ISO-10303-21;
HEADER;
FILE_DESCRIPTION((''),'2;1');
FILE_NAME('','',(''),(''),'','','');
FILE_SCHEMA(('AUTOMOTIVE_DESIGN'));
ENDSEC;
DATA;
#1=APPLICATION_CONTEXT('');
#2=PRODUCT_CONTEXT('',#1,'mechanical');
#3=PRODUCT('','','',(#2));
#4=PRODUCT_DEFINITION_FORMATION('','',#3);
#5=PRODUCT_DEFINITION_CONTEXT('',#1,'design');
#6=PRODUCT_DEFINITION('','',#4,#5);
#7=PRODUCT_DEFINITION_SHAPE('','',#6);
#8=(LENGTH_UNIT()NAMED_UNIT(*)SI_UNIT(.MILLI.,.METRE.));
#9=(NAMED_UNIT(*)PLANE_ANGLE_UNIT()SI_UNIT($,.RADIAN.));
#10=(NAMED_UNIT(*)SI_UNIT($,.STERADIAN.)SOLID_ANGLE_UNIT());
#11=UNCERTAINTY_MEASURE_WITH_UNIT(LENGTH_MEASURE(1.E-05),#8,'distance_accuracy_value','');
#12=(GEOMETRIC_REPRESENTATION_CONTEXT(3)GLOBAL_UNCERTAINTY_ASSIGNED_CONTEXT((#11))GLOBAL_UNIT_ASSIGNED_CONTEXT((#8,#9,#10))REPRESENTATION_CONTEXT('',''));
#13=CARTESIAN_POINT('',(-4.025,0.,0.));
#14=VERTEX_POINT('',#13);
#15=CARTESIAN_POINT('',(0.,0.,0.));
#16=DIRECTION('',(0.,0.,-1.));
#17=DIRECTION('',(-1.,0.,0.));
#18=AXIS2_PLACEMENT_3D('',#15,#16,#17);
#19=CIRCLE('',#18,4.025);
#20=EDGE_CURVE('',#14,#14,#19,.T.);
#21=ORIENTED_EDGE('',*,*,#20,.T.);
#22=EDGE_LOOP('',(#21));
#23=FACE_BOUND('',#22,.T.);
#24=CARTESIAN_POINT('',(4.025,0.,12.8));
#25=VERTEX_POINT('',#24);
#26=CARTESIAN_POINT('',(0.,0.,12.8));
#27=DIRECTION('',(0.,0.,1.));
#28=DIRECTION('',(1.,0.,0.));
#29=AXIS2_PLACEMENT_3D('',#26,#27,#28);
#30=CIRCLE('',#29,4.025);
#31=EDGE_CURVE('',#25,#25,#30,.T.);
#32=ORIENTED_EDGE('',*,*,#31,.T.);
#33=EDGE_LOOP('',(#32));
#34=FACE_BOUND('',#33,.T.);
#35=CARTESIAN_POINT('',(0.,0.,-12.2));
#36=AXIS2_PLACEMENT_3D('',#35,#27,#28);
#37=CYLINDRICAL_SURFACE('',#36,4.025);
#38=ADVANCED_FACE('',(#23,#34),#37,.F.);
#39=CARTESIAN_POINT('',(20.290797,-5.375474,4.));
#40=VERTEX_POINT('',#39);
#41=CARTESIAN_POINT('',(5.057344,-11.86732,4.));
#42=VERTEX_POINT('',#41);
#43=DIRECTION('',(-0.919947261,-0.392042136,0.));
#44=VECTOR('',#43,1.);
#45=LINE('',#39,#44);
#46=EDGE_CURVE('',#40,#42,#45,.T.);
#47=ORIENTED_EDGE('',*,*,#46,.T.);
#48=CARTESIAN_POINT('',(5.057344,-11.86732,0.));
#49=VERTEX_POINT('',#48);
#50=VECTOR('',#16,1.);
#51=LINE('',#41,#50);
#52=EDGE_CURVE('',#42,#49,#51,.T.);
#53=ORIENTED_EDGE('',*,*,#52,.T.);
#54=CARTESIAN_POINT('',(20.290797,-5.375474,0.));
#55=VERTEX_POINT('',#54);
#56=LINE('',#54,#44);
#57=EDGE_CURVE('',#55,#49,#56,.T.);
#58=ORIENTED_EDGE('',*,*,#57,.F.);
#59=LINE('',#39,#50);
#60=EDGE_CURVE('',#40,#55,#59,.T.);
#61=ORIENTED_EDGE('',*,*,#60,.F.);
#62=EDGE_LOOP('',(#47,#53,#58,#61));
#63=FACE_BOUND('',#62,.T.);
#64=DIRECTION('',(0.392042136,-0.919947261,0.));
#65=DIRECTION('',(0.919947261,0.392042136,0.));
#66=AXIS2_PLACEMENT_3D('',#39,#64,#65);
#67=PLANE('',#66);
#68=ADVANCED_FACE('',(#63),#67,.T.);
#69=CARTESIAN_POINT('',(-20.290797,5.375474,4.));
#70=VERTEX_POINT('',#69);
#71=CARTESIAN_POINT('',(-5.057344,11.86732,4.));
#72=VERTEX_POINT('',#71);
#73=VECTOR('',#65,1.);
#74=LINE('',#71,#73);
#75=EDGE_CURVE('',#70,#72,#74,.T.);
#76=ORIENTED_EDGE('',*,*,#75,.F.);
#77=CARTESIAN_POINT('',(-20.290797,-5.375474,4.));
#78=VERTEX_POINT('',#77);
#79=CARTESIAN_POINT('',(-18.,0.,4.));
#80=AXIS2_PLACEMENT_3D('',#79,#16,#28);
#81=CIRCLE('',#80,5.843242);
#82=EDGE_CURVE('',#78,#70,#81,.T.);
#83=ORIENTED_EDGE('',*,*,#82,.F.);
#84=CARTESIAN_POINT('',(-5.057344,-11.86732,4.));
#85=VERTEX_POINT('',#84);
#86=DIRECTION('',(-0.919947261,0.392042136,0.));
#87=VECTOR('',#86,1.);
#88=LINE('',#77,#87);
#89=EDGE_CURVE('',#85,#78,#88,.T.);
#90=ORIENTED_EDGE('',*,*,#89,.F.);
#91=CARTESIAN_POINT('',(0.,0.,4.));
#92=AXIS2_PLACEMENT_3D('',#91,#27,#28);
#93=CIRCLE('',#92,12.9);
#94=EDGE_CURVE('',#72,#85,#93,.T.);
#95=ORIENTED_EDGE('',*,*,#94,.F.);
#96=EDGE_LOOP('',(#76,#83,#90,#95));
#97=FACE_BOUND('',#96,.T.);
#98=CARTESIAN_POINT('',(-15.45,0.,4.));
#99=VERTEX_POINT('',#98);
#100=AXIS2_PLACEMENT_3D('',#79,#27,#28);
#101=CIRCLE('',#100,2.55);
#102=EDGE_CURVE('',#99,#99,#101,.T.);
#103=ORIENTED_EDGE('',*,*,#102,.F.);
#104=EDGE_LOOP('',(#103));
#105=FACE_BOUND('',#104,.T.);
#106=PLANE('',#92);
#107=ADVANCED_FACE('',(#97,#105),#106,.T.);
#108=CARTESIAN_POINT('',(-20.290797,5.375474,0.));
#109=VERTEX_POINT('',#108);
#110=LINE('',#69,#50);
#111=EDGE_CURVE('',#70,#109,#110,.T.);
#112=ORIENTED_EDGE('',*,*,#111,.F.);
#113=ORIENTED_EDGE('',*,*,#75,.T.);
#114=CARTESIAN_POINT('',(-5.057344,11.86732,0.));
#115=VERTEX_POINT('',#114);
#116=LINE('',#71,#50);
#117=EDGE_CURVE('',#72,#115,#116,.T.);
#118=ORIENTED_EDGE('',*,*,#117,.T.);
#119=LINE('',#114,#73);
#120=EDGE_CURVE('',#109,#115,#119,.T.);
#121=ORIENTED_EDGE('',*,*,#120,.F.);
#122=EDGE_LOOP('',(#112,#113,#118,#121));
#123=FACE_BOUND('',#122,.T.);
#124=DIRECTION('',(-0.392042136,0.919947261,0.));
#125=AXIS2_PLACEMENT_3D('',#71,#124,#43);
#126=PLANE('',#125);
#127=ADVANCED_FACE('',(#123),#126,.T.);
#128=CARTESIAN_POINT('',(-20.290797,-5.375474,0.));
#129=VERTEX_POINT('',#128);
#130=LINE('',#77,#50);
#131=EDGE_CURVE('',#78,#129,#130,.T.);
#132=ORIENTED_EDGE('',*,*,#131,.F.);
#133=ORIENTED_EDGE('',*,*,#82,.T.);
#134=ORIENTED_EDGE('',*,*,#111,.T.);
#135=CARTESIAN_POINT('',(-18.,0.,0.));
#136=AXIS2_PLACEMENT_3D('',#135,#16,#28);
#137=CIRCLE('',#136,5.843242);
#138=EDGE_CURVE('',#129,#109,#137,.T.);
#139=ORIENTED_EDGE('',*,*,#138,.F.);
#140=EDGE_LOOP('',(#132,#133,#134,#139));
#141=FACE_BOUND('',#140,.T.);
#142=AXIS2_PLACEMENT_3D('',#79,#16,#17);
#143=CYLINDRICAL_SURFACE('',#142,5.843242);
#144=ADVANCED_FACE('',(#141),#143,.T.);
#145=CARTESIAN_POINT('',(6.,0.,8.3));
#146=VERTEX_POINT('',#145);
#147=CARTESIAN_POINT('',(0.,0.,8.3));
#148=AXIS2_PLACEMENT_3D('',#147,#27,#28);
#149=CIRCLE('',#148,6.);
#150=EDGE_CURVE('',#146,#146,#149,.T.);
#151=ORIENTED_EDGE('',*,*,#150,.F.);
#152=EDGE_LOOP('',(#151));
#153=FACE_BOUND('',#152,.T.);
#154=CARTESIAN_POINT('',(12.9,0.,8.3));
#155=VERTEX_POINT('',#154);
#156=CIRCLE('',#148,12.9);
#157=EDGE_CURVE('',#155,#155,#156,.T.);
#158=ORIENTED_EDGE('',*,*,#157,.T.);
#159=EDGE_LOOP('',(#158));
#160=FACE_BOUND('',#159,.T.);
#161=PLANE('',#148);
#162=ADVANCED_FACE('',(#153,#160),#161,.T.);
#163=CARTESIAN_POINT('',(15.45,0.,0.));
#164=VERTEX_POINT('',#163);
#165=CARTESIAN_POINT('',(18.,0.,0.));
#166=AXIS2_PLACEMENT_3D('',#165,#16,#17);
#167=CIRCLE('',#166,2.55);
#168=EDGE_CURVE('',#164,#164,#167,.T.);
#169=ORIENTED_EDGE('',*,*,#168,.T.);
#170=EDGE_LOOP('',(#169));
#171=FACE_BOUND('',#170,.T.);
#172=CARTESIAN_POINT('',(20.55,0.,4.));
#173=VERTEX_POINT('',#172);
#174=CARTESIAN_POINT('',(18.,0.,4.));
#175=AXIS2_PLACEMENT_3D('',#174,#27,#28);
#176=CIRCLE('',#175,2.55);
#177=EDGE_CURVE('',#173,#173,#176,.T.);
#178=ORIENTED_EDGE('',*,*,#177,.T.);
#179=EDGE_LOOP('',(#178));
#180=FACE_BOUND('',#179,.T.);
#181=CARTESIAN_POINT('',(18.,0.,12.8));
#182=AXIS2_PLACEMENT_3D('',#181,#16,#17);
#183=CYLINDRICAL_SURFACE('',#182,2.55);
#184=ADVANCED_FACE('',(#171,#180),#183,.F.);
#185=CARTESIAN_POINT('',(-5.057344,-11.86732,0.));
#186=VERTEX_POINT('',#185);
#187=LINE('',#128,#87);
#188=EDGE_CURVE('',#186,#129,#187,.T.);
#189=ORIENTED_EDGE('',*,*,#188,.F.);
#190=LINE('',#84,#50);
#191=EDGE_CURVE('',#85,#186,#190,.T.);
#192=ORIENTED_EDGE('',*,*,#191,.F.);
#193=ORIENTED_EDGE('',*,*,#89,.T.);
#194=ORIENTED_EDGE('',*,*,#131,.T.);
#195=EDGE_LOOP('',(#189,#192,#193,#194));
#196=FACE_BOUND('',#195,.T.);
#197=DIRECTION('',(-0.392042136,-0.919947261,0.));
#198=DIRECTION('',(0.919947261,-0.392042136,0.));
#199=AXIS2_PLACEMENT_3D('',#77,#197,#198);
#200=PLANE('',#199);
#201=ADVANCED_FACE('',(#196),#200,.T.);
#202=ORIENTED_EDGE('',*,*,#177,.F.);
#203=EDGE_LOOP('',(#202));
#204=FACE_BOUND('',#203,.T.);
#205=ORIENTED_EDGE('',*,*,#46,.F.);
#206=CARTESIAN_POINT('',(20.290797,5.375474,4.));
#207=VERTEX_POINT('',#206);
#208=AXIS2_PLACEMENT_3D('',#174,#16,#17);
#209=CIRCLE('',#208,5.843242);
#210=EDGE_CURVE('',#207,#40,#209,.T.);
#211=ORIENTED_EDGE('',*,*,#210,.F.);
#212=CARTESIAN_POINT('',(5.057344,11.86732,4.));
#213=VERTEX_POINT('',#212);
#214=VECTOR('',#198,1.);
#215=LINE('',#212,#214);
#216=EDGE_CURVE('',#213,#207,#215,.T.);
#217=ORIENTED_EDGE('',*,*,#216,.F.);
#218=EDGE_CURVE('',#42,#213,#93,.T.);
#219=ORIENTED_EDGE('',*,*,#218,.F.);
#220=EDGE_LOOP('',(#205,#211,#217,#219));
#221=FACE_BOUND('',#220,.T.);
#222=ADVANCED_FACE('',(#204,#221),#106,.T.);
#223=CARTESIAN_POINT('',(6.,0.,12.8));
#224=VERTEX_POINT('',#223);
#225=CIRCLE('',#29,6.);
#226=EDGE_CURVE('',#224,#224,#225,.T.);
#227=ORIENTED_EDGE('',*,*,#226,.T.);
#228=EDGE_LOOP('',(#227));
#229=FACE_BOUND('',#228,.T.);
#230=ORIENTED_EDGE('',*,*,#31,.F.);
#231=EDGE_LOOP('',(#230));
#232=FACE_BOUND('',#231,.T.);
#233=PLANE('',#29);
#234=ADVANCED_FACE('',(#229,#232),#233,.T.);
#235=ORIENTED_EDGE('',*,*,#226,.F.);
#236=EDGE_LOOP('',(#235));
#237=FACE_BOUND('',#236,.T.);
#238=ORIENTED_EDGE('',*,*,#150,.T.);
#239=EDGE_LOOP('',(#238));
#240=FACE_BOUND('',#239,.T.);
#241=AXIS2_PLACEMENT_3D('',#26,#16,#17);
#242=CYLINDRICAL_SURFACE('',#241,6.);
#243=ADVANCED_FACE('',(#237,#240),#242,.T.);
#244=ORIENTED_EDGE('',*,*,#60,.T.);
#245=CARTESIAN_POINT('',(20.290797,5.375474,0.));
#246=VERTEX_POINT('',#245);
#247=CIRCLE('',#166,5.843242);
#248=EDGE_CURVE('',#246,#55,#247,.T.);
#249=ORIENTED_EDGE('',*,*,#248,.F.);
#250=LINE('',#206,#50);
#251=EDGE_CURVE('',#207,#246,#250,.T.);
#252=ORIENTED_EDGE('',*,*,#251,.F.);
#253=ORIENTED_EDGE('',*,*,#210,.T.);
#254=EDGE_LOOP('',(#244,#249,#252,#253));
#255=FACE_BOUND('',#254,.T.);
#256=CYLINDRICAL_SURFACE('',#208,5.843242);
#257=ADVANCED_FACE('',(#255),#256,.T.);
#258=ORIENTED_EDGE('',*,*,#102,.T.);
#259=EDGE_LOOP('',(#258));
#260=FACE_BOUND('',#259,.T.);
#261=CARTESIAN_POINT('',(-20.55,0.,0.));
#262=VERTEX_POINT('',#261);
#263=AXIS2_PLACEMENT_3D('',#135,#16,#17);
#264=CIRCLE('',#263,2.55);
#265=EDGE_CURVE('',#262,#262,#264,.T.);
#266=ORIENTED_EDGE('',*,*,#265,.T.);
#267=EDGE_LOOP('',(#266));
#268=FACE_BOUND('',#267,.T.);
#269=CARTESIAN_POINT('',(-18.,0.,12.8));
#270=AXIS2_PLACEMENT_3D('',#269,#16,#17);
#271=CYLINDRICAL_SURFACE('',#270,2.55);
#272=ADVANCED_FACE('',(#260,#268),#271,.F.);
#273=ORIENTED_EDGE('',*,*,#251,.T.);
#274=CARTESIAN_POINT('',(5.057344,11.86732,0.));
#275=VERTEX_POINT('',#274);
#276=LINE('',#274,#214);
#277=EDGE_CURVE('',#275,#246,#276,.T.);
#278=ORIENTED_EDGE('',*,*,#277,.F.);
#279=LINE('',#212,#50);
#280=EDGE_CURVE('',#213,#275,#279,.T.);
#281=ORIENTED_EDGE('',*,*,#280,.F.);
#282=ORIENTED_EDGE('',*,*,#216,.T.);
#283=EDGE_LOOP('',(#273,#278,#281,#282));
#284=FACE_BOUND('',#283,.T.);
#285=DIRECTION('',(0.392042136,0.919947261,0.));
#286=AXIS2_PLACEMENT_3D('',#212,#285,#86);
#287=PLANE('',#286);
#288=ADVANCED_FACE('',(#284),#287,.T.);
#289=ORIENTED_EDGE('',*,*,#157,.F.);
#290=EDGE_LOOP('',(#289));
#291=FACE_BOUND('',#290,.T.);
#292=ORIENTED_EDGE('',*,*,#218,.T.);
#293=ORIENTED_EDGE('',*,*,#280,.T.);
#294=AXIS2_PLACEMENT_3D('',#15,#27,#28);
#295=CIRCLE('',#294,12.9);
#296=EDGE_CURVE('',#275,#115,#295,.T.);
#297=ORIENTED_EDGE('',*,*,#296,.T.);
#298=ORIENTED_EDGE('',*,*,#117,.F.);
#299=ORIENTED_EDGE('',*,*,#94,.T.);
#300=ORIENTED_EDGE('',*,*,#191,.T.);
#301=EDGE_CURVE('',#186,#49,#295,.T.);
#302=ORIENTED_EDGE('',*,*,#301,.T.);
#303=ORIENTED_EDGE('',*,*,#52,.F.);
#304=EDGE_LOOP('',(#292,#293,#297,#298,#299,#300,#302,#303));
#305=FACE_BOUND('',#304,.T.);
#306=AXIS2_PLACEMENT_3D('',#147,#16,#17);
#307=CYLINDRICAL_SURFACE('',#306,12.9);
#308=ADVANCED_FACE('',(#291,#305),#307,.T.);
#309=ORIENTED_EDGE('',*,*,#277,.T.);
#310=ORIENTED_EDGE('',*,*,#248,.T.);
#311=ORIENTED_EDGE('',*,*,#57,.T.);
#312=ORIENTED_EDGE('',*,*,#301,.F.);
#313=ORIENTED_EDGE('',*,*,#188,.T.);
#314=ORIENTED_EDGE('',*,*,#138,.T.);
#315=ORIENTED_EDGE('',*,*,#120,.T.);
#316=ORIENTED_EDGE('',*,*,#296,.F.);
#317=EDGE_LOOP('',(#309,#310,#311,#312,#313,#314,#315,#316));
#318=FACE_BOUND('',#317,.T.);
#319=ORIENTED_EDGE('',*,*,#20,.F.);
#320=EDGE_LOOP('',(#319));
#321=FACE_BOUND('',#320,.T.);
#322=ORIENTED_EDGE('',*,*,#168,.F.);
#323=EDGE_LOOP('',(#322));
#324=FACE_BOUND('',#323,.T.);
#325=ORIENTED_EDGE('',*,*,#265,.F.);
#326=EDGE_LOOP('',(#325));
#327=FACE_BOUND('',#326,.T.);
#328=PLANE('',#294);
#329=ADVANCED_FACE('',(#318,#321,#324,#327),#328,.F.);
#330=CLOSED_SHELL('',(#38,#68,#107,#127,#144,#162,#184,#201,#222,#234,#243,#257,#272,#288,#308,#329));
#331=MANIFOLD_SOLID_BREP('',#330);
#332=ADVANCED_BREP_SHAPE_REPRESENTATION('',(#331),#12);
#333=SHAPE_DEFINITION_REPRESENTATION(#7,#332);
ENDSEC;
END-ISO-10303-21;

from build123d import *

# Parameters (mm, degrees)
SKETCH_1_R          = 12.9
EXTRUDE_1_DEPTH     = 8.3
SKETCH_2_R          = 6
EXTRUDE_2_DEPTH     = 4.5
SKETCH_3_R          = 4.025
CUT_EXTRUDE_1_DEPTH = 25
EXTRUDE_3_DEPTH     = 4
SKETCH_6_R          = 2.55
CUT_EXTRUDE_3_DEPTH = 13.8
SKETCH_7_R          = 4.025
CUT_EXTRUDE_4_DEPTH = 13.8


with BuildPart() as part:
    # 草图1 → 凸台-拉伸1 (new body)
    with BuildSketch(Plane.XY):
        Circle(SKETCH_1_R)
    extrude(amount=EXTRUDE_1_DEPTH)

    # 草图2 → 凸台-拉伸2 (add)
    with BuildSketch(Plane.XY.offset(8.3)):
        Circle(SKETCH_2_R)
    extrude(amount=EXTRUDE_2_DEPTH)

    # 草图3 → 切除-拉伸1 (cut)
    with BuildSketch(Plane.XY.offset(12.8)):
        Circle(SKETCH_3_R)
    extrude(amount=-CUT_EXTRUDE_1_DEPTH, mode=Mode.SUBTRACT)

    # 草图4 → 凸台-拉伸3 (add)
    with BuildSketch(Plane(origin=(0, 0, 0), x_dir=(-1, 0, 0), z_dir=(0, 0, -1))):
        with BuildLine():
            Line((-5.057343549, 11.867319673), (-20.2907969, 5.375474071))
            ThreePointArc((-20.2907969, 5.375474071), (-23.843241559, 0), (-20.2907969, -5.375474071))
            Line((-20.2907969, -5.375474071), (-5.057343549, -11.867319673))
            ThreePointArc((-5.057343549, -11.867319673), (0, -12.9), (5.057343549, -11.867319673))
            Line((5.057343549, -11.867319673), (20.2907969, -5.375474071))
            ThreePointArc((20.2907969, -5.375474071), (23.843241559, 0), (20.2907969, 5.375474071))
            Line((20.2907969, 5.375474071), (5.057343549, 11.867319673))
            ThreePointArc((5.057343549, 11.867319673), (0, 12.9), (-5.057343549, 11.867319673))
        make_face()
    extrude(amount=-EXTRUDE_3_DEPTH)

    # 草图6 → 切除-拉伸3 (cut, through all)
    with BuildSketch(Plane(origin=(0, 0, 0), x_dir=(-1, 0, 0), z_dir=(0, 0, -1))):
        with Locations((-18, 0)):
            Circle(SKETCH_6_R)
        with Locations((18, 0)):
            Circle(SKETCH_6_R)
    extrude(amount=-CUT_EXTRUDE_3_DEPTH, mode=Mode.SUBTRACT)

    # 草图7 → 切除-拉伸4 (cut, through all)
    with BuildSketch(Plane(origin=(0, 0, 0), x_dir=(-1, 0, 0), z_dir=(0, 0, -1))):
        Circle(SKETCH_7_R)
    extrude(amount=-CUT_EXTRUDE_4_DEPTH, mode=Mode.SUBTRACT)


solid = part.part
